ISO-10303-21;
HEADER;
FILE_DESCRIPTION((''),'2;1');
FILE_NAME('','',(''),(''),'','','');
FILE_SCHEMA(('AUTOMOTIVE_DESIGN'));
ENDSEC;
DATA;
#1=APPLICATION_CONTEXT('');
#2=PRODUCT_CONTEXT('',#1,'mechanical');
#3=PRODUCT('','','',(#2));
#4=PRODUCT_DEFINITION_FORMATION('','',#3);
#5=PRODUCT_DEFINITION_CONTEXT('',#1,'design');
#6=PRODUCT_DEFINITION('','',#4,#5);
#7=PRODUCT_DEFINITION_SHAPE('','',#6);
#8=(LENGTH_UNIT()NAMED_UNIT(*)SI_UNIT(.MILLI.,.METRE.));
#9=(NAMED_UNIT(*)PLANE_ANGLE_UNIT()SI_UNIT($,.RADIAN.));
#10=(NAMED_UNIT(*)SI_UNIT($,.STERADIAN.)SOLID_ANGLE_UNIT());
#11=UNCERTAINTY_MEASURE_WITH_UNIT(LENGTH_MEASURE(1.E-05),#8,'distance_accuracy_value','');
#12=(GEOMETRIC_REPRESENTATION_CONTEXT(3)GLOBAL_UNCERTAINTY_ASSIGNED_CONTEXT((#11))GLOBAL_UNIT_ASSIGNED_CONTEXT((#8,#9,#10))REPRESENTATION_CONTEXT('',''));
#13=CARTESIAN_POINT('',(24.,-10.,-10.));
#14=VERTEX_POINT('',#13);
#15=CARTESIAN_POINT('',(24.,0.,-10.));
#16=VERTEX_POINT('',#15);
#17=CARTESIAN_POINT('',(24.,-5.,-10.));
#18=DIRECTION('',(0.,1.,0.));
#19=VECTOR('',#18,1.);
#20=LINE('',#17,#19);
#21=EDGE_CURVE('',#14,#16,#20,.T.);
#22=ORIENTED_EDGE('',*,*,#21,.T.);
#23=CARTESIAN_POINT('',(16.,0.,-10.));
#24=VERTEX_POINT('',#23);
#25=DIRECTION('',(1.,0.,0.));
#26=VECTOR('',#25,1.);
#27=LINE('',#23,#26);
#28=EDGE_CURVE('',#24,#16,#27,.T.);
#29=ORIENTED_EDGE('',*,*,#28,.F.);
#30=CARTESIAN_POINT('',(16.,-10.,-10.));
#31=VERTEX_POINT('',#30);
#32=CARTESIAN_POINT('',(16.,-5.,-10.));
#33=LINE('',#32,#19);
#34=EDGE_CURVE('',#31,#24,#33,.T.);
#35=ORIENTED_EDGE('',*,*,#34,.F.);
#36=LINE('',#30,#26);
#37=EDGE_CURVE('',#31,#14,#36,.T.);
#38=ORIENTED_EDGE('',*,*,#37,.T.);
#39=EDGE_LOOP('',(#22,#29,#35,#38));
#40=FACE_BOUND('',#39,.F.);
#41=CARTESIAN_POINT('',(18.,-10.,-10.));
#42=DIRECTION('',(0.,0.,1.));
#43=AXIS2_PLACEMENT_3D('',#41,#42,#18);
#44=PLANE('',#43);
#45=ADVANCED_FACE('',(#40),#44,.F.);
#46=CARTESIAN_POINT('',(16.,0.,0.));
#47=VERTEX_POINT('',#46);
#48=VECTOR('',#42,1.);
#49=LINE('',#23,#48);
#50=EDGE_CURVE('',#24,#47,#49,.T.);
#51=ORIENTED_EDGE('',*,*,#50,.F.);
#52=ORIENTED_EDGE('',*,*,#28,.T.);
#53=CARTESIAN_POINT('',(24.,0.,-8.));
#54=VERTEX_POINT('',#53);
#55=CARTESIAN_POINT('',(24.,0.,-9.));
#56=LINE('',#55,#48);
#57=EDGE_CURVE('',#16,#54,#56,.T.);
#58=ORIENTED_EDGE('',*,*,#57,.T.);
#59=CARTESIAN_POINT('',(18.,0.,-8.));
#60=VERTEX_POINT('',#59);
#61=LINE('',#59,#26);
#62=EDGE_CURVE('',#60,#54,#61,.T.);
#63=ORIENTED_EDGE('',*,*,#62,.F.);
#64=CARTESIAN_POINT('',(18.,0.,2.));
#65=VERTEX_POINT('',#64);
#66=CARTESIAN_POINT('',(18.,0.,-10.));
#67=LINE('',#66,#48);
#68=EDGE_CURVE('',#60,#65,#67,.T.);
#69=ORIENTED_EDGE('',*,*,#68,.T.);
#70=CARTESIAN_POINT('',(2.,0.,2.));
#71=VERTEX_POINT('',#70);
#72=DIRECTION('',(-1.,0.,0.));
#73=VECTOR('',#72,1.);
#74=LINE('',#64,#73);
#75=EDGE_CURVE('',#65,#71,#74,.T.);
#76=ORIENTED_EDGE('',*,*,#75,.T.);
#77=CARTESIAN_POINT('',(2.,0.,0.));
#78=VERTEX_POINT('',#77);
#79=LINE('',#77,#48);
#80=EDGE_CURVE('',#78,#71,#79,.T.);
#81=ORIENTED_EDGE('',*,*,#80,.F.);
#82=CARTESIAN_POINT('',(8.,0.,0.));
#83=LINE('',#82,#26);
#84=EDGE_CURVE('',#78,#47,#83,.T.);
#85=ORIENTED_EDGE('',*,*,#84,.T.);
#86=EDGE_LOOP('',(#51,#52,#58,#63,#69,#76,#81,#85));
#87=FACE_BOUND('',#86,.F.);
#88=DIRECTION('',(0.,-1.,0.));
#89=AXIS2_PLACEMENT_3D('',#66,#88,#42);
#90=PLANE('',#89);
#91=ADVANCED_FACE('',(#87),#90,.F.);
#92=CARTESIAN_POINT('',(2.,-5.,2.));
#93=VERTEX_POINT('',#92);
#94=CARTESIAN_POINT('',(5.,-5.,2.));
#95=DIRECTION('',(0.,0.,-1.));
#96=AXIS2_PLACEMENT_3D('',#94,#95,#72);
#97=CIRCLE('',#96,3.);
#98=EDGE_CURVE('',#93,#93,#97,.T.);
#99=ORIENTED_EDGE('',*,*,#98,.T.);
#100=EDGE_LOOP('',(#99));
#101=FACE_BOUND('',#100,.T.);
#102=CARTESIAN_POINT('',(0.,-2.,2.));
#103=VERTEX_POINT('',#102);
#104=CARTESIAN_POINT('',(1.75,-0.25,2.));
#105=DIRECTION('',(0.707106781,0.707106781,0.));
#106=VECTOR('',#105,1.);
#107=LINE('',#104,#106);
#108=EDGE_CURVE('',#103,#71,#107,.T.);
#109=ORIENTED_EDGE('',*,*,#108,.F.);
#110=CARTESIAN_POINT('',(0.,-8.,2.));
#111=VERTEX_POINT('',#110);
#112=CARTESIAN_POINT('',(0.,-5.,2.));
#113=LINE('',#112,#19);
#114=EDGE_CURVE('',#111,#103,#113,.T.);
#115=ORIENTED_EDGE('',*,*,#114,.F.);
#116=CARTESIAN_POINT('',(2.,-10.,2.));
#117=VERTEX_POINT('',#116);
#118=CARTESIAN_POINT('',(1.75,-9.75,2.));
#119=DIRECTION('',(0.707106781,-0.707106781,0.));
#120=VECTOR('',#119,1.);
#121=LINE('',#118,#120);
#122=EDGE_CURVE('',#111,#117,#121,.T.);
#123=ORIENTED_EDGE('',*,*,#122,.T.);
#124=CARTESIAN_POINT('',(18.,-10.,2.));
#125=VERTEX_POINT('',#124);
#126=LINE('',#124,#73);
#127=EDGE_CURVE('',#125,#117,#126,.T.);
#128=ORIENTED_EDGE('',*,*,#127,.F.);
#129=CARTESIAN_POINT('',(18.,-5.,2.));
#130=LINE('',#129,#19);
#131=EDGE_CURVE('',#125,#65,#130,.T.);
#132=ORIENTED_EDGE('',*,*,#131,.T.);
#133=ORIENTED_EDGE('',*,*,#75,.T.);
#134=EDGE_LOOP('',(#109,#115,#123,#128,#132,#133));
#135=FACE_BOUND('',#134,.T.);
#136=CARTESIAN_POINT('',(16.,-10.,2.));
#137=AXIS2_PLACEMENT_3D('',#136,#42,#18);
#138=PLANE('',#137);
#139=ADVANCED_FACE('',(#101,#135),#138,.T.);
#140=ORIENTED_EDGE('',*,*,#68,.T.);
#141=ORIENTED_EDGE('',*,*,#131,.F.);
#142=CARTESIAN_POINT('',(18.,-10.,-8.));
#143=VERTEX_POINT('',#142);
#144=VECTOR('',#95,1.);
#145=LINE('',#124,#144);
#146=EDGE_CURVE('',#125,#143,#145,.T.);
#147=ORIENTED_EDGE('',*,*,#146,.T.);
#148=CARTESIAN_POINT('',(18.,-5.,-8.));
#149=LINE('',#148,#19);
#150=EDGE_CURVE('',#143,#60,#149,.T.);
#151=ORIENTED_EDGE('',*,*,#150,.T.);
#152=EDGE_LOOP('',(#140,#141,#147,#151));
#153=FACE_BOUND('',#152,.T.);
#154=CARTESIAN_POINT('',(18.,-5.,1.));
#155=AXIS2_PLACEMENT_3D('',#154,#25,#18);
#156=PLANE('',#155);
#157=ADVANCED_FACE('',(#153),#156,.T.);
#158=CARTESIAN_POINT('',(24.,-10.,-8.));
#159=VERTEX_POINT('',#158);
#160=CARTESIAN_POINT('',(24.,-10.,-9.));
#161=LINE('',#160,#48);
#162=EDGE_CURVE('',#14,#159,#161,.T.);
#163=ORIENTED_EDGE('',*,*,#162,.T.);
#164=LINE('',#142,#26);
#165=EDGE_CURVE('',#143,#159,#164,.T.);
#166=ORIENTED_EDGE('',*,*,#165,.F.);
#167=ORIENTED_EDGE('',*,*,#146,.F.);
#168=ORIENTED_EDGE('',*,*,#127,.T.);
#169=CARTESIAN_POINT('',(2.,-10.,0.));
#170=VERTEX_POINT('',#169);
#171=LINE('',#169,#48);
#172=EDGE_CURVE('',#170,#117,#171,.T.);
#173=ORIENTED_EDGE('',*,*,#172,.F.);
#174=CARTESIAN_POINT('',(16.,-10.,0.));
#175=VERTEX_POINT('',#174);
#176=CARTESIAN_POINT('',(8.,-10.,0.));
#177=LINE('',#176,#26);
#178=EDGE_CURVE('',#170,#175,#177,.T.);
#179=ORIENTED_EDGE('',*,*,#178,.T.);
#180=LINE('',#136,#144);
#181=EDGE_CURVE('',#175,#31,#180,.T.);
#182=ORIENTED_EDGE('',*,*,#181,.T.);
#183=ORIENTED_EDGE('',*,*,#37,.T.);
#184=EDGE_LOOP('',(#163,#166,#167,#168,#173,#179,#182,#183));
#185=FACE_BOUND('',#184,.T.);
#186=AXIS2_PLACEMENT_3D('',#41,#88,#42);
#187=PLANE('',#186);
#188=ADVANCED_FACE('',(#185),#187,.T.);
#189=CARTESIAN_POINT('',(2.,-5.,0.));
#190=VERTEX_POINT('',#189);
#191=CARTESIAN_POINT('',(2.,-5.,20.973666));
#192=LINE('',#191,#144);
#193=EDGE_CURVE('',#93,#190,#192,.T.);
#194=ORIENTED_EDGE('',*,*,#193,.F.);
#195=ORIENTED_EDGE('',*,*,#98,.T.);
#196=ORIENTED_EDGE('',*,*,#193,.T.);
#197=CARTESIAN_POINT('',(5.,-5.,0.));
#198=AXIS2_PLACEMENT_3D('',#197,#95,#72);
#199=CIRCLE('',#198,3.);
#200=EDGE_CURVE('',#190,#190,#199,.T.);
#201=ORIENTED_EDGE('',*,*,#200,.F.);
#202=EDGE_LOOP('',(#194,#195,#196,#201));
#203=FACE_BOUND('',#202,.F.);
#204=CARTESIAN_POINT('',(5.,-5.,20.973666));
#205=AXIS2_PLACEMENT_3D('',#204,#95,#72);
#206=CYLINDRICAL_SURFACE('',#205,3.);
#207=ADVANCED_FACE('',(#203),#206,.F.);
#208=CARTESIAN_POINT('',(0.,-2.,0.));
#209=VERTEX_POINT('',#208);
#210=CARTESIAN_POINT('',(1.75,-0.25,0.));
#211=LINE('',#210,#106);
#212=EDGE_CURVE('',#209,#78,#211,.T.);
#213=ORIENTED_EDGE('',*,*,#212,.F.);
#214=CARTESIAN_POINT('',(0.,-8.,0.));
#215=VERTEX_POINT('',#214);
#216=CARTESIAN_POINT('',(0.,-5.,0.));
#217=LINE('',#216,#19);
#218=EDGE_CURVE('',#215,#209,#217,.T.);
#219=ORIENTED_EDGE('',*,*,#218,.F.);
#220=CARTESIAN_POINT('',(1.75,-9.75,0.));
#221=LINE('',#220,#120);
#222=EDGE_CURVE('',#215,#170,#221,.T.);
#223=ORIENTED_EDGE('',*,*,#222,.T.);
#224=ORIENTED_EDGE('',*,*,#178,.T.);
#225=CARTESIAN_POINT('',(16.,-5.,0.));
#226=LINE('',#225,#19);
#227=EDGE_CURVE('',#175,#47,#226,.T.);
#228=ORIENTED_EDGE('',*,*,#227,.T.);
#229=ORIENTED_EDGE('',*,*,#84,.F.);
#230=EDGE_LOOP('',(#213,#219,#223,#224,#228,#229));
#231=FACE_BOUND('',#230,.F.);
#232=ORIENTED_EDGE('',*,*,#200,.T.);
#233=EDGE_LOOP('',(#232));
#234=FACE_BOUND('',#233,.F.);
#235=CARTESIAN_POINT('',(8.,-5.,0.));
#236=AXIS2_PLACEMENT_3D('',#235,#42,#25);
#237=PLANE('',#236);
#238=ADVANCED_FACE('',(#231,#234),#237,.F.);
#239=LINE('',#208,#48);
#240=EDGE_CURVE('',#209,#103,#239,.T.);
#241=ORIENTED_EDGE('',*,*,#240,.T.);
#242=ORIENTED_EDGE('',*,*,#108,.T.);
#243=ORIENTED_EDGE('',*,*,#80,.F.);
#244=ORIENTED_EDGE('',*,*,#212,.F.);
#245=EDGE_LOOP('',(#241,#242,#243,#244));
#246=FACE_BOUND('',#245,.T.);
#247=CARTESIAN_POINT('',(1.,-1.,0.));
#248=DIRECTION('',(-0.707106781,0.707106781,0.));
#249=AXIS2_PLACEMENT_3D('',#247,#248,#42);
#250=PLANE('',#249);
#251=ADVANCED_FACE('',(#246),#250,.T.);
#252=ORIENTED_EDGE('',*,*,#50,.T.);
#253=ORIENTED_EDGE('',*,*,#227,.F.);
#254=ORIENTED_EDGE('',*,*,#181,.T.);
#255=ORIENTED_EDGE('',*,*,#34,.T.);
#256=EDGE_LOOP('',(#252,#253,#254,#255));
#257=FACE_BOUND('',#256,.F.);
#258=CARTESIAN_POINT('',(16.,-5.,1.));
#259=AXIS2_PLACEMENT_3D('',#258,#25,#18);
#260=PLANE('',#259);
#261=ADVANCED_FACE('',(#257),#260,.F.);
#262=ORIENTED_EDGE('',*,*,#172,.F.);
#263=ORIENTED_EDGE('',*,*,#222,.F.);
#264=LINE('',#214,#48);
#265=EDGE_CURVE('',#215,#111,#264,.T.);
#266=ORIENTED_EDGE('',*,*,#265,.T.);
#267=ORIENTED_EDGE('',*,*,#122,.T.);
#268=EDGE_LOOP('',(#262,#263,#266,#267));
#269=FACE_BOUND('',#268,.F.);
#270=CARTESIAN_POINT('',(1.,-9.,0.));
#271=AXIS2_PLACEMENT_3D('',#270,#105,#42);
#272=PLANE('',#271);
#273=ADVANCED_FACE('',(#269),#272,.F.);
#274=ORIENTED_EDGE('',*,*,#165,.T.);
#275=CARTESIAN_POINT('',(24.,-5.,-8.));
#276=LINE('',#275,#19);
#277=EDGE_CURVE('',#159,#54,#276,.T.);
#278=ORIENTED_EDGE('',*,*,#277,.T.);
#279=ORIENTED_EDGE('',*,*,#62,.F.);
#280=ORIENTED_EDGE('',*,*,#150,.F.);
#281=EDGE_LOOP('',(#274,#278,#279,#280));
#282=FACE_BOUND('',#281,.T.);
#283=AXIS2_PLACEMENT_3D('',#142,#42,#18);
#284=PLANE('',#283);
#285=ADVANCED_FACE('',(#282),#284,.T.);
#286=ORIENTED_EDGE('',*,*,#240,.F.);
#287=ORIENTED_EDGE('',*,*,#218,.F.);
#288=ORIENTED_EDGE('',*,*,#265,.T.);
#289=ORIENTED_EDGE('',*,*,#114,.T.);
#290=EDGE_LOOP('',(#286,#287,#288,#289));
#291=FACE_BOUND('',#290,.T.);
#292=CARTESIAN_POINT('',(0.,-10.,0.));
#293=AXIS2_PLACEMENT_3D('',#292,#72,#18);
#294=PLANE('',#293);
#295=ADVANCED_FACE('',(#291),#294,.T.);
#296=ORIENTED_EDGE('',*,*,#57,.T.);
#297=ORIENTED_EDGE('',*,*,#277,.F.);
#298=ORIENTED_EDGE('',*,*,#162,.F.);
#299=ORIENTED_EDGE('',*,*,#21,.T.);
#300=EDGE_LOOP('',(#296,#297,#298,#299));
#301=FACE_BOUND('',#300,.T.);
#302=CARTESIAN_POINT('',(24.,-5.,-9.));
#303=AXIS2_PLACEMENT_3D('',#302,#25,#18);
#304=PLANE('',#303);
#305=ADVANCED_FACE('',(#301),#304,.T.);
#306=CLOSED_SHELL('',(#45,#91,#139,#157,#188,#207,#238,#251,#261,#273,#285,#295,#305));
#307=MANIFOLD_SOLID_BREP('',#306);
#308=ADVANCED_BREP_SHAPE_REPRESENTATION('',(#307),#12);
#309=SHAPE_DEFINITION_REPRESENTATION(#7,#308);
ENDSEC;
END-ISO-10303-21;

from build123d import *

# Parameters (mm, degrees)
F0_W      = 16
F0_H      = 10
F1_DEPTH  = 2
F2_SIZE   = 2
F7_D      = 6
F8_W      = 10
F8_H      = 2
F8_H_2    = 10
F9_DEPTH  = 2
F10_W     = 10
F10_H     = 2
F11_DEPTH = 6


with BuildPart() as f1:
    # F0 (on Top) → F1 (new body)
    with BuildSketch(Plane.XY):
        with Locations((8, -5)):
            Rectangle(F0_W, F0_H)
    extrude(amount=F1_DEPTH)

    # F2
    f2_edges = [f1.edges().sort_by_distance(p)[0] for p in [
        (0, -10, 1),
        (0, 0, 1),
    ]]
    chamfer(f2_edges, length=F2_SIZE)

    # F7 (through all)
    with Locations(Plane.XY.offset(2)):
        with Locations((5, -5)):
            Hole(F7_D / 2)

    # F8 (on face) → F9 (join)
    with BuildSketch(Plane.YZ.offset(16)):
        with Locations((-5, 1)):
            Rectangle(F8_W, F8_H)
        with Locations((-5, -5)):
            Rectangle(F8_W, F8_H_2)
    extrude(amount=F9_DEPTH)

    # F10 (on face) → F11 (join)
    with BuildSketch(Plane.YZ.offset(18)):
        with Locations((-5, -9)):
            Rectangle(F10_W, F10_H)
    extrude(amount=F11_DEPTH)


solid = f1.part
